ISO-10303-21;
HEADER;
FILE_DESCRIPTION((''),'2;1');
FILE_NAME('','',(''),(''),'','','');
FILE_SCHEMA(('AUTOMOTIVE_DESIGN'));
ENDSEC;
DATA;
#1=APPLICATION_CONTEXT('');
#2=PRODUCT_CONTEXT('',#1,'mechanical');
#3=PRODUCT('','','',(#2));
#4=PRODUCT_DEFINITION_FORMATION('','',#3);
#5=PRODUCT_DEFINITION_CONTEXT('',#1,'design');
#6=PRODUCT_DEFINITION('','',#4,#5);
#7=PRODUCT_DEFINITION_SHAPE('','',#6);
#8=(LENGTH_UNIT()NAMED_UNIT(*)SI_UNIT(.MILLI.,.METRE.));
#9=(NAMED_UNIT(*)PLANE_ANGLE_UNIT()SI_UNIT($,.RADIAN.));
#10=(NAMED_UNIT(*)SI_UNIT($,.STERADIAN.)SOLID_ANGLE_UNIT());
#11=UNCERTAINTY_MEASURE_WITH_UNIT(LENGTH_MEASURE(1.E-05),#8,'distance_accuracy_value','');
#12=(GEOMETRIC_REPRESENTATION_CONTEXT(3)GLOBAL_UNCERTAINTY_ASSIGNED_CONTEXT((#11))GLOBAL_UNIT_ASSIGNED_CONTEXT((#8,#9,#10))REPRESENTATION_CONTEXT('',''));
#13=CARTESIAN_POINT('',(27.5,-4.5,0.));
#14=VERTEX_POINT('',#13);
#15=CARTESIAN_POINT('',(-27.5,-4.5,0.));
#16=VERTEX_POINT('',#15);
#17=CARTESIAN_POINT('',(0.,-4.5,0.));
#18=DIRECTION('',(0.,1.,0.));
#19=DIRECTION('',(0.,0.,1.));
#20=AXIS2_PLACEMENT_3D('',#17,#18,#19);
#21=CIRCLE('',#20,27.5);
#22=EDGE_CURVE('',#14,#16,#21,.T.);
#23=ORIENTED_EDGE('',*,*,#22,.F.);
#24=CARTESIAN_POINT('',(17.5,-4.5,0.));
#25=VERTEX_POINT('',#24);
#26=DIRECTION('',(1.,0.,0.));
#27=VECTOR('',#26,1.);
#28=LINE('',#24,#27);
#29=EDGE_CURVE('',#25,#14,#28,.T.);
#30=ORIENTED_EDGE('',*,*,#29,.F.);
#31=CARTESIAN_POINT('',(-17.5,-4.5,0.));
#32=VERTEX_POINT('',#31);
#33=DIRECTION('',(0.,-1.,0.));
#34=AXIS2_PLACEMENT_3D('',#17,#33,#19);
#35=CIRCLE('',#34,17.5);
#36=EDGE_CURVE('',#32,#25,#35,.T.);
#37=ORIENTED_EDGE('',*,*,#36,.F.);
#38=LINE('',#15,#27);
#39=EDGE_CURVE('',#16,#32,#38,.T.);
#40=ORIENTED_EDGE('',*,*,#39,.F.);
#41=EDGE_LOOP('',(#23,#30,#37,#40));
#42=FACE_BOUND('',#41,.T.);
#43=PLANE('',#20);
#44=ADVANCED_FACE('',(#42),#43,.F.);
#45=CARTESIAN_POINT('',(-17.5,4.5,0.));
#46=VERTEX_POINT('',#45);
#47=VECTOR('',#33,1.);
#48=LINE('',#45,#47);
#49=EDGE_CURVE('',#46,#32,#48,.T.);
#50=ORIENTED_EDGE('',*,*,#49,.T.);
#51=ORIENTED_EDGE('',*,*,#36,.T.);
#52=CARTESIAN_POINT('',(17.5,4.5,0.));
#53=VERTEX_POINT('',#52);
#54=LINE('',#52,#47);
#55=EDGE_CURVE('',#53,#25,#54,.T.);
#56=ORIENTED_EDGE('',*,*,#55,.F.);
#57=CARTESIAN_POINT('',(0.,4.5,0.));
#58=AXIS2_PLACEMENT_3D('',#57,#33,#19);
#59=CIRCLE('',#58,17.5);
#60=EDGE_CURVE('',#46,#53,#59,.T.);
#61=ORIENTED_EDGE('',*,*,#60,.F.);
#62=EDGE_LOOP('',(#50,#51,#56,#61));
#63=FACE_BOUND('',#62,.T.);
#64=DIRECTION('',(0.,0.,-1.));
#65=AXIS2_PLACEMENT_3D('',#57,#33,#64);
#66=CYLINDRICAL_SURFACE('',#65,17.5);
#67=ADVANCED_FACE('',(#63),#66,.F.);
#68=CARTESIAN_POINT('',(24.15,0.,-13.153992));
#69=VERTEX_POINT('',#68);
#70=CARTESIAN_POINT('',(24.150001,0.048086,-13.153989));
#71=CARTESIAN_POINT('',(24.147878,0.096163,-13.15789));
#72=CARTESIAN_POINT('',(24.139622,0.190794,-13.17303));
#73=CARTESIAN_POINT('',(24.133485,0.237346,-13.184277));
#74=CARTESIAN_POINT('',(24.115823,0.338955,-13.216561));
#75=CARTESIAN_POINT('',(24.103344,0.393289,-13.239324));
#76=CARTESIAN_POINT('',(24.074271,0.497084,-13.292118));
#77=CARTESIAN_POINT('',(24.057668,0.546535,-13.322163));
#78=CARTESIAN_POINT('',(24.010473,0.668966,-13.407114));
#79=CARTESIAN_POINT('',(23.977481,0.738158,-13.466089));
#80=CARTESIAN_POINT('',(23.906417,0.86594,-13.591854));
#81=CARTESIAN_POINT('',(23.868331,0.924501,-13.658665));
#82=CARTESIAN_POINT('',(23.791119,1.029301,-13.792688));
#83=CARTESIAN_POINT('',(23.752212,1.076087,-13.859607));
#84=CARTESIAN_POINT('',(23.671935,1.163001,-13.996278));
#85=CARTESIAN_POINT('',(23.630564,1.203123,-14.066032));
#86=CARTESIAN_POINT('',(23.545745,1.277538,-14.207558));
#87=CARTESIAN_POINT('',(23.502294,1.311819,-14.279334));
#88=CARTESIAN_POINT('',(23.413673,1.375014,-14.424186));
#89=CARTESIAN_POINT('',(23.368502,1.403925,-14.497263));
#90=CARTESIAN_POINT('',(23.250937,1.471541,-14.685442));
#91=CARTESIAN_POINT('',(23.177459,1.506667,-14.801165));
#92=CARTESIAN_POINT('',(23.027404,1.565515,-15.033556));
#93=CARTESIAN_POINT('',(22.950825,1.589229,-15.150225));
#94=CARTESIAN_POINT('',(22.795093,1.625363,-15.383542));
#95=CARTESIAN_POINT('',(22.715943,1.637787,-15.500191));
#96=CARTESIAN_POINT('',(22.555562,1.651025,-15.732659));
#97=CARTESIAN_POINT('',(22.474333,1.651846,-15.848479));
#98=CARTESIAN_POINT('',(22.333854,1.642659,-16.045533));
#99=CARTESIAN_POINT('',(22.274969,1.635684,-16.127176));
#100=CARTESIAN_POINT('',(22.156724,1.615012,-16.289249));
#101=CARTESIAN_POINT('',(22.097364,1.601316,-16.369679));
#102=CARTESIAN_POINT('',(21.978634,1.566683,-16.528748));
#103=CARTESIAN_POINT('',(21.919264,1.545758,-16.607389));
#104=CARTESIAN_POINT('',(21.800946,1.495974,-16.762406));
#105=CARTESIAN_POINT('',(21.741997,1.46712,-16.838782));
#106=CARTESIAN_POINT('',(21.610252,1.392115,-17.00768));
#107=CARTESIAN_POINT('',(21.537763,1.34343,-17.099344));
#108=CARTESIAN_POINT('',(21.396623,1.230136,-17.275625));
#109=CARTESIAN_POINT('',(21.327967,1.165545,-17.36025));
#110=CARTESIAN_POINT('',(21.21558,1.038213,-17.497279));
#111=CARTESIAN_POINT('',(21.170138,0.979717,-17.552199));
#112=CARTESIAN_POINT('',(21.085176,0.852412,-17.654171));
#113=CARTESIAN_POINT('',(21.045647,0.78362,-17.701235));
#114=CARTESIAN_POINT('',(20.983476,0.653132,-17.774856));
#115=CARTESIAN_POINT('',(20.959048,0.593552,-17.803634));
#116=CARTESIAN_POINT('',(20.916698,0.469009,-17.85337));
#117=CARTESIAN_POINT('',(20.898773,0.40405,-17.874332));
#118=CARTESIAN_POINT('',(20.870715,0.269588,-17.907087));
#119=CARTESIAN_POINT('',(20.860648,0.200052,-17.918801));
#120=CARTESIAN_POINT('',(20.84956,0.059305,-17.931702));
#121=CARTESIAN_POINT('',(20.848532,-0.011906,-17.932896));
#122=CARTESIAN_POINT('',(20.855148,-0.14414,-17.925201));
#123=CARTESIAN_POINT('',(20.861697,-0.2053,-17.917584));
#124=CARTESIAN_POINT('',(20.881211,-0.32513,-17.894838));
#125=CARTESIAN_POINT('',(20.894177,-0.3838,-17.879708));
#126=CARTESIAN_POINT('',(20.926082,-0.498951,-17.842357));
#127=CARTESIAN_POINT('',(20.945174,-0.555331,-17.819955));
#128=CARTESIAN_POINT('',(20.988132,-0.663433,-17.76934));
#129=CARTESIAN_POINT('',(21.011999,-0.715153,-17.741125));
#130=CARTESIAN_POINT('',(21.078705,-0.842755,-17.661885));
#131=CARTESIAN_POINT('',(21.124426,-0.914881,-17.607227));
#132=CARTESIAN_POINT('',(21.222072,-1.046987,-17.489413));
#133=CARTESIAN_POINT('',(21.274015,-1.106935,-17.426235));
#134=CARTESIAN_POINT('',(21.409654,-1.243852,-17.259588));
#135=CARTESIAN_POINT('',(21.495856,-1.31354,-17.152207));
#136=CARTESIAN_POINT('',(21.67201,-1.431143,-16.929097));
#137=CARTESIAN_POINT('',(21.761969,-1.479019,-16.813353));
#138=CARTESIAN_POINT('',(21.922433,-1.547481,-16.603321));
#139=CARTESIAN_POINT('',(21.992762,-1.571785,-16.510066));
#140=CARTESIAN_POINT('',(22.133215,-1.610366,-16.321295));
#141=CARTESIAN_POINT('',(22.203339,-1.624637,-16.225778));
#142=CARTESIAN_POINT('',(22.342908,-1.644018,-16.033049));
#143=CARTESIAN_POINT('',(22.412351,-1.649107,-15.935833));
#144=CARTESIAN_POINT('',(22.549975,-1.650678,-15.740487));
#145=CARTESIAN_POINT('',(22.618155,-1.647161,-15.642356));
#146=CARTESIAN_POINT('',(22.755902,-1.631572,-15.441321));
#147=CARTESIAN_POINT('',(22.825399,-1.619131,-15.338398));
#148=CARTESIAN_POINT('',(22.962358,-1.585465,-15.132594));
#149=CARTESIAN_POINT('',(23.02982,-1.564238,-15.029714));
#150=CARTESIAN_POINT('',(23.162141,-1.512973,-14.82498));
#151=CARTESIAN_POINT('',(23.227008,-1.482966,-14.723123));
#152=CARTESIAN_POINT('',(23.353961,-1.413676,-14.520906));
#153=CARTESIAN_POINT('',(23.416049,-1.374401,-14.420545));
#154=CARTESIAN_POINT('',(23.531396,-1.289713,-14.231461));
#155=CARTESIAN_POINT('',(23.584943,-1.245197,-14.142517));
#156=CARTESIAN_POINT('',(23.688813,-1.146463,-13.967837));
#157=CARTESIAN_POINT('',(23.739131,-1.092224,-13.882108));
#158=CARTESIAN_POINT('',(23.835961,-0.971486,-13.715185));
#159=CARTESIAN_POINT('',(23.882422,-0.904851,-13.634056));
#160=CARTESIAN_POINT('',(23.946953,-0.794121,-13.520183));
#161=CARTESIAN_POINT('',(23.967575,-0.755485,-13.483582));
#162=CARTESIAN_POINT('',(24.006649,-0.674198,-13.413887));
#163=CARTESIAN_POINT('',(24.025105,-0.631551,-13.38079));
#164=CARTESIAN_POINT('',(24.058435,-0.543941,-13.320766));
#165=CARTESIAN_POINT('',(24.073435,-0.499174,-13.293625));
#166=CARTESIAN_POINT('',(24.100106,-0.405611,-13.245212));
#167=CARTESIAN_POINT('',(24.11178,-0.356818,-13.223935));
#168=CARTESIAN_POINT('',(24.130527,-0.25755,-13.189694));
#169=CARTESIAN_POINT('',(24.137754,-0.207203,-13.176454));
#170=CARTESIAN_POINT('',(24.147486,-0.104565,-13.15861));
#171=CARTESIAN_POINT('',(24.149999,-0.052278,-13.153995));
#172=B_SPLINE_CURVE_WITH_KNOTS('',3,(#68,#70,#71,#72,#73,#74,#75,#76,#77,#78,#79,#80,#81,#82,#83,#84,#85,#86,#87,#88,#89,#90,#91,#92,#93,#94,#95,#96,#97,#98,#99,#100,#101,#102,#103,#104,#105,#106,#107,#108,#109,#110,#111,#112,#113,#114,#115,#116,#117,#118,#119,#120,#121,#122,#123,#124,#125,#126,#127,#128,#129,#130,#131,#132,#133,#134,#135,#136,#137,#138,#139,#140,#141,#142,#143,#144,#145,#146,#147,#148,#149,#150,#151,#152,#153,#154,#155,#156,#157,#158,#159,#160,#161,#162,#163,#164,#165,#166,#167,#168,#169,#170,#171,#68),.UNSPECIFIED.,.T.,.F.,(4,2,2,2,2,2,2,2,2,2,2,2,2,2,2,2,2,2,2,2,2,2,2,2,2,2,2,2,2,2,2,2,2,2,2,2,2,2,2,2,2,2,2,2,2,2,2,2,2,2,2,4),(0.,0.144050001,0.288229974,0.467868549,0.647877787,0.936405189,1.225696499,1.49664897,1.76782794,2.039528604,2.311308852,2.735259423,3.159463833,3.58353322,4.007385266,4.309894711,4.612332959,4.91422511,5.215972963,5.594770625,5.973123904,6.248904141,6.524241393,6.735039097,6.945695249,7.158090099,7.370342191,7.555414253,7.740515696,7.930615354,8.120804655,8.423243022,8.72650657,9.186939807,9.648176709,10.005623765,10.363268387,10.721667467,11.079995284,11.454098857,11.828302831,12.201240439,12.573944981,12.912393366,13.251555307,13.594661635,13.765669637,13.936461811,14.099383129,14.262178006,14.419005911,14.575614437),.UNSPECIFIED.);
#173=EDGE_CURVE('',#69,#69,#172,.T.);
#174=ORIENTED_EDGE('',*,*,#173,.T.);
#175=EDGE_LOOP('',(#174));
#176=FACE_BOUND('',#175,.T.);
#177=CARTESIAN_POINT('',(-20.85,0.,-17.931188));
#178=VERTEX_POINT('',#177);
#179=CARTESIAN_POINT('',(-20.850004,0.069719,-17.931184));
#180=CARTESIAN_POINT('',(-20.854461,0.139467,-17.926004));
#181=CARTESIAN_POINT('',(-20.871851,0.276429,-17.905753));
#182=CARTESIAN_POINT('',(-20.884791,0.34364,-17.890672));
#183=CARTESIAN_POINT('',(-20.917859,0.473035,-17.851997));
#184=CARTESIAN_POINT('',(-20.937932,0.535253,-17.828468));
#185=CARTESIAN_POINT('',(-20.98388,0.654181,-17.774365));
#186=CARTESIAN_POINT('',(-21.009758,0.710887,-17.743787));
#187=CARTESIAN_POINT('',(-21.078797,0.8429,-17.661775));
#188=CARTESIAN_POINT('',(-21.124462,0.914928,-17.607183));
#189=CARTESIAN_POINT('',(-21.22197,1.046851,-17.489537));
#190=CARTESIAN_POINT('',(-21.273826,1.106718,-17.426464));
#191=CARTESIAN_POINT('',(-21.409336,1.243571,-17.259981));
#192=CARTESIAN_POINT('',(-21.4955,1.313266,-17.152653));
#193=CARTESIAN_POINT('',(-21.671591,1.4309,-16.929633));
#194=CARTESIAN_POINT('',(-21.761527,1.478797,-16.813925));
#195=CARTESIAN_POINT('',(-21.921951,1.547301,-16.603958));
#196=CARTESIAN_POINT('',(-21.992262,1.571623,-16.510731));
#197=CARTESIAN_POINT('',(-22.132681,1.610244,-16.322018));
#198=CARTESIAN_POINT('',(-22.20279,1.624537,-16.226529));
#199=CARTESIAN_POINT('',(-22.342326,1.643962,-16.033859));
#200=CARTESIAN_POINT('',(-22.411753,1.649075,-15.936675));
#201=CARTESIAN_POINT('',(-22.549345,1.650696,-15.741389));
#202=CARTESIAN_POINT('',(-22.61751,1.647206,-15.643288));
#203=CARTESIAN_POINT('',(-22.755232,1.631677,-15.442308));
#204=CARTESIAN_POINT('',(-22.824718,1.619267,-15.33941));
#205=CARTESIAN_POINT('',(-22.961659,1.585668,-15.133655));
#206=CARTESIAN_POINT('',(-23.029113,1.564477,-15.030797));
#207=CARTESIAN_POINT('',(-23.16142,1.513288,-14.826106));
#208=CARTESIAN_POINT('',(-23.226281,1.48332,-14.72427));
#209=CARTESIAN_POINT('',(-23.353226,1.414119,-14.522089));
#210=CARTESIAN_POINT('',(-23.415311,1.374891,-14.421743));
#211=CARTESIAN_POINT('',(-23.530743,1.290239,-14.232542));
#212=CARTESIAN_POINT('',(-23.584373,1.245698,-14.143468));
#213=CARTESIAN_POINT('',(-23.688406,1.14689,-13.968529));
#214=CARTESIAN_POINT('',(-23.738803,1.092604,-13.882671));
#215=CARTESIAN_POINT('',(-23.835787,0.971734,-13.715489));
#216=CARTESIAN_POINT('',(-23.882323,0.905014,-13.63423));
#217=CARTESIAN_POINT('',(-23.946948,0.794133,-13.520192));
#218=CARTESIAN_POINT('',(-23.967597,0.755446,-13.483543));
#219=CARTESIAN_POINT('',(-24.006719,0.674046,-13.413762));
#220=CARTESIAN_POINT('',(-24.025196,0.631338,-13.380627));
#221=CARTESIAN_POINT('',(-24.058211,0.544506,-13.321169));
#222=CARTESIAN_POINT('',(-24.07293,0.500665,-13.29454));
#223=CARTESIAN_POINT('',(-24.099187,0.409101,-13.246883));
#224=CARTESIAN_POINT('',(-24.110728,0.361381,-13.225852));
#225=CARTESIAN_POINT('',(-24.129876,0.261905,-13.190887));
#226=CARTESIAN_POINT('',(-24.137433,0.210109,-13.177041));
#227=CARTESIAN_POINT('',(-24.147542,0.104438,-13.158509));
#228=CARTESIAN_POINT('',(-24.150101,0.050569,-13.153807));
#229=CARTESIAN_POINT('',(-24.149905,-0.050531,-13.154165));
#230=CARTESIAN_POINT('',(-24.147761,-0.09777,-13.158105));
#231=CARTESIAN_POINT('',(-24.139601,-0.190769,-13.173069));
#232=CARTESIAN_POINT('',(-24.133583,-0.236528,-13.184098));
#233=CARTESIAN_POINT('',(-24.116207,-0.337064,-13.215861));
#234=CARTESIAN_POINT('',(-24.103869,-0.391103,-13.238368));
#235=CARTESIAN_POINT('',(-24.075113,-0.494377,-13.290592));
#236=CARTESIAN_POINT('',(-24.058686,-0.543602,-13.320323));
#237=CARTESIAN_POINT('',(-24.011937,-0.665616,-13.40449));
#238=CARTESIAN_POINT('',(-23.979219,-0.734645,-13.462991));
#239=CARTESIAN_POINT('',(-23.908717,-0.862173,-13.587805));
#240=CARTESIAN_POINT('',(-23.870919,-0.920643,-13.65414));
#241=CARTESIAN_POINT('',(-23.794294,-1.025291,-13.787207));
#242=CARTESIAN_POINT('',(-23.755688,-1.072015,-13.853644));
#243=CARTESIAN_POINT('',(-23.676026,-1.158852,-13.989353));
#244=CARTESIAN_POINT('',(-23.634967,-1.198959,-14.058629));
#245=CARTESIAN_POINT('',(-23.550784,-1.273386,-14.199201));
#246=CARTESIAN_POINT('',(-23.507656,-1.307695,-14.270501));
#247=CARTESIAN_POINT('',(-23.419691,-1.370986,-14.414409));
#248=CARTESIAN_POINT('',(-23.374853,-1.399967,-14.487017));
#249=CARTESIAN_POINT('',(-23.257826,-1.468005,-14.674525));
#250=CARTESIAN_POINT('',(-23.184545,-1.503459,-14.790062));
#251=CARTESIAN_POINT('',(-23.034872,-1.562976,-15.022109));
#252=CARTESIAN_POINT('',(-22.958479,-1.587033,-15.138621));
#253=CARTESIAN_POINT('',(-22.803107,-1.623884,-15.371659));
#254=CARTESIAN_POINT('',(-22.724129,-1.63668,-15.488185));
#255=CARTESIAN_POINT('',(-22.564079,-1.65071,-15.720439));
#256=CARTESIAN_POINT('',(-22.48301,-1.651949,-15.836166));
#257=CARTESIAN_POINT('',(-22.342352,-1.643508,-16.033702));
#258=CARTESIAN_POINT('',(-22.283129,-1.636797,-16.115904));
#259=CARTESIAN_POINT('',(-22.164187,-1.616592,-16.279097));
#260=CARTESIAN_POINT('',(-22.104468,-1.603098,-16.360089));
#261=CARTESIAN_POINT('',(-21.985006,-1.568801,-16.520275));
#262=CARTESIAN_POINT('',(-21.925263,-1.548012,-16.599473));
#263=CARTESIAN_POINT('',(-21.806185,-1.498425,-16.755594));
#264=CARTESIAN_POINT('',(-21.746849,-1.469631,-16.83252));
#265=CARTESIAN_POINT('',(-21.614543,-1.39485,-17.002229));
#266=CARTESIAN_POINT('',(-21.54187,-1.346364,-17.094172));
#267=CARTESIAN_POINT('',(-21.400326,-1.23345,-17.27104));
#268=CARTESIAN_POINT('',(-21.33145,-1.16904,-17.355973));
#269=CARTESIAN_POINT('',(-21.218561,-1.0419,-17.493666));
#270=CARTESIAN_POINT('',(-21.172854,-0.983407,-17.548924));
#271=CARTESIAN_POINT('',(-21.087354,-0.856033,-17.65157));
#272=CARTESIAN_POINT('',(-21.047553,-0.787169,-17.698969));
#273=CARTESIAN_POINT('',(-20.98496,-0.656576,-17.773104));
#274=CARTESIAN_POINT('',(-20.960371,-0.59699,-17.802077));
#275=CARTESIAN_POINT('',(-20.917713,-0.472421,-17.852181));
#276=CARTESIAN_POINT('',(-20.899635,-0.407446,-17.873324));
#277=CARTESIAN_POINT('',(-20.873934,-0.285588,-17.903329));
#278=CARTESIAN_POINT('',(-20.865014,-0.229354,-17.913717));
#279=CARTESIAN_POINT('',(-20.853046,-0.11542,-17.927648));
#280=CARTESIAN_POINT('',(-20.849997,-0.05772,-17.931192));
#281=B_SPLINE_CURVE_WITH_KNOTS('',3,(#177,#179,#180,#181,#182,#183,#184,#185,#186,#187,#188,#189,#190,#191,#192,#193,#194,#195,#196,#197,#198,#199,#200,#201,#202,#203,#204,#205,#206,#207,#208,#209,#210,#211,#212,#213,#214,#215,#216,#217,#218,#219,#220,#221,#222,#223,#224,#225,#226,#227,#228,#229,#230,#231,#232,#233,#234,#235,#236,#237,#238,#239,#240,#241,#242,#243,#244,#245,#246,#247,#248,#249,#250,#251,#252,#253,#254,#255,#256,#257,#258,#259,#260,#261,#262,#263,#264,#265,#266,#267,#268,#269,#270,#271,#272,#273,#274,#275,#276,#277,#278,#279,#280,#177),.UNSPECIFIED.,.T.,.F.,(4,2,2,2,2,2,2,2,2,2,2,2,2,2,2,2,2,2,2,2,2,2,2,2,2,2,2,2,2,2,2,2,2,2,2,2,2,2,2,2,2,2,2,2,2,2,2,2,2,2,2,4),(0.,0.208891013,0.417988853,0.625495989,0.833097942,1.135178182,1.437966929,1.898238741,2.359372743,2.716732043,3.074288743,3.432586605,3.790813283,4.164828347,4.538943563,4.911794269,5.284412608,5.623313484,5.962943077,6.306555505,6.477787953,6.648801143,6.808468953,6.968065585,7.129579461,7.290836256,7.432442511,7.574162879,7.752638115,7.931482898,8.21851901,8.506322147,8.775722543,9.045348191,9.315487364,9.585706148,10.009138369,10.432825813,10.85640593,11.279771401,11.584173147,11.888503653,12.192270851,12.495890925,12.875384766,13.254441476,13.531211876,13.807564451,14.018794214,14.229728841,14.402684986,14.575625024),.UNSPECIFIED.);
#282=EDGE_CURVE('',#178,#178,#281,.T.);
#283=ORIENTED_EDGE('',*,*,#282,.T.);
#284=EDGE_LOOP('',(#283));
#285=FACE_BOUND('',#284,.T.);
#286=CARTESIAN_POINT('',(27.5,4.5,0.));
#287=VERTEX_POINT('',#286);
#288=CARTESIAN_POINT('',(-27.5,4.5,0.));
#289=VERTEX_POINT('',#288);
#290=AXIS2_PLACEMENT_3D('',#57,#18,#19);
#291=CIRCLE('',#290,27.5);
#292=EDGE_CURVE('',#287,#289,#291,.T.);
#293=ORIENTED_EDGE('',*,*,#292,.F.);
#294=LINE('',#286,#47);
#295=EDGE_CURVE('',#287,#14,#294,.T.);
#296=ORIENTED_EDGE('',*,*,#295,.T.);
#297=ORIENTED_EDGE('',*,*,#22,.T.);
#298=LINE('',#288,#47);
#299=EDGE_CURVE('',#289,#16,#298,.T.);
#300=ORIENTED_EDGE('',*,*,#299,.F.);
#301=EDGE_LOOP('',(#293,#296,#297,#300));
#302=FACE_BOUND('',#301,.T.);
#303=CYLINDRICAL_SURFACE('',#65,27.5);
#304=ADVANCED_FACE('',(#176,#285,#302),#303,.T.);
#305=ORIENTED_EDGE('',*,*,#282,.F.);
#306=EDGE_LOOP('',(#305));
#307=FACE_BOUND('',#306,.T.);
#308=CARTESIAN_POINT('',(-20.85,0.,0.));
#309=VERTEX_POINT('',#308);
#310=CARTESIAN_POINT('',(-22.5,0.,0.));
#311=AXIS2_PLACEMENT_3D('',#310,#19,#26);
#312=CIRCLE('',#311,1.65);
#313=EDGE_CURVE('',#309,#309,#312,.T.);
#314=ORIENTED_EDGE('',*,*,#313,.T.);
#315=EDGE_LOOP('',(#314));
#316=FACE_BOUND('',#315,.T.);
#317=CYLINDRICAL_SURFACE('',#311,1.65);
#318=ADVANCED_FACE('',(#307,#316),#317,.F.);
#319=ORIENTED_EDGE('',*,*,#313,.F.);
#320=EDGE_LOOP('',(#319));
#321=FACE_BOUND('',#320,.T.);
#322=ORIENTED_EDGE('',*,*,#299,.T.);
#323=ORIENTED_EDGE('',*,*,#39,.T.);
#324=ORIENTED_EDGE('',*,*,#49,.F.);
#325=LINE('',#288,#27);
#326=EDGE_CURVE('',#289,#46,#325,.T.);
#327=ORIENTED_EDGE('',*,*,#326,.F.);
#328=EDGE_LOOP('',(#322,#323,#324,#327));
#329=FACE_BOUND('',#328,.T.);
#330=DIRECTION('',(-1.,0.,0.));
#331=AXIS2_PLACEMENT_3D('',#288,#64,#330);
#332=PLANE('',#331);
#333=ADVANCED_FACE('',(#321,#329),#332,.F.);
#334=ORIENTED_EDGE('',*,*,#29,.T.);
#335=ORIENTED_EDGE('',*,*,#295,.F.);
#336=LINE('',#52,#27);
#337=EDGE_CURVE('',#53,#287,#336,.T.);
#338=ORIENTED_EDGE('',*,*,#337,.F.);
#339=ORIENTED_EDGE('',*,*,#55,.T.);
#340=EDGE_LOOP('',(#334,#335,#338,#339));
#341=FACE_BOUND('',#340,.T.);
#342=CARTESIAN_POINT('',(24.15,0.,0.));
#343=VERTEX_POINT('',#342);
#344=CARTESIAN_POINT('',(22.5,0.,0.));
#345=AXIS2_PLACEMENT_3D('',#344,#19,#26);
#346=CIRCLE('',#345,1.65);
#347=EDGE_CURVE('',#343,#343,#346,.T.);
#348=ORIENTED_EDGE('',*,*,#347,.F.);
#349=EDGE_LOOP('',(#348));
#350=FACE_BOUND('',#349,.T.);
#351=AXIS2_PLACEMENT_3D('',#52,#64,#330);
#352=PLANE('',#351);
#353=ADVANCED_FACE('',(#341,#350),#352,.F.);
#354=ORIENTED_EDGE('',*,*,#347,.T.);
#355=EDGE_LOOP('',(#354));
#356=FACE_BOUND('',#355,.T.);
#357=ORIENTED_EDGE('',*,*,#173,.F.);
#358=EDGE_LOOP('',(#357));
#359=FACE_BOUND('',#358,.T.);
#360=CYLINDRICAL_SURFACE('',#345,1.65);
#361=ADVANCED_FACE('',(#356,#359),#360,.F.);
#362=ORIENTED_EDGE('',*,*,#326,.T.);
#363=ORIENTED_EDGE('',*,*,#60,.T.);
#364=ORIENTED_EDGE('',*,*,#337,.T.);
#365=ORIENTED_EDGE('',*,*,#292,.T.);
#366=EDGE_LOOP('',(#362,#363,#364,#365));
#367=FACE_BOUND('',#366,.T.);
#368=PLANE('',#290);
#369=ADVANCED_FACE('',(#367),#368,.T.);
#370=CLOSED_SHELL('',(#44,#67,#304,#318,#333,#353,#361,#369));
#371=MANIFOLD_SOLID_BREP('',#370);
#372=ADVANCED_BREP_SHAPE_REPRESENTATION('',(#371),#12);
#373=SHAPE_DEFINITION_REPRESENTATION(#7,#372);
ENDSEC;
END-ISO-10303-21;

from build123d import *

# Parameters (mm, degrees)
BOSS_EXTRUDE1_DEPTH         = 4.5
TAP_DRILL_FOR_M4X0_7_TAP1_D = 3.3


with BuildPart() as part:
    # Sketch1 → Boss-Extrude1 (new body, symmetric)
    with BuildSketch(Plane(origin=(0, 0, 0), x_dir=(1, 0, 0), z_dir=(0, 1, 0))):
        with BuildLine():
            Line((-27.5, 0), (-17.5, 0))
            ThreePointArc((-17.5, 0), (0, 17.5), (17.5, 0))
            Line((17.5, 0), (27.5, 0))
            ThreePointArc((27.5, 0), (0, 27.5), (-27.5, 0))
        make_face()
    extrude(amount=BOSS_EXTRUDE1_DEPTH, both=True)

    # Tap Drill for M4x0.7 Tap1 (through all)
    with Locations(Plane(origin=(22.5, 0, 0), x_dir=(1, 0, 0), z_dir=(0, 0, 1))):
        with Locations((0, 0), (-45, 0)):
            Hole(TAP_DRILL_FOR_M4X0_7_TAP1_D / 2)


solid = part.part
